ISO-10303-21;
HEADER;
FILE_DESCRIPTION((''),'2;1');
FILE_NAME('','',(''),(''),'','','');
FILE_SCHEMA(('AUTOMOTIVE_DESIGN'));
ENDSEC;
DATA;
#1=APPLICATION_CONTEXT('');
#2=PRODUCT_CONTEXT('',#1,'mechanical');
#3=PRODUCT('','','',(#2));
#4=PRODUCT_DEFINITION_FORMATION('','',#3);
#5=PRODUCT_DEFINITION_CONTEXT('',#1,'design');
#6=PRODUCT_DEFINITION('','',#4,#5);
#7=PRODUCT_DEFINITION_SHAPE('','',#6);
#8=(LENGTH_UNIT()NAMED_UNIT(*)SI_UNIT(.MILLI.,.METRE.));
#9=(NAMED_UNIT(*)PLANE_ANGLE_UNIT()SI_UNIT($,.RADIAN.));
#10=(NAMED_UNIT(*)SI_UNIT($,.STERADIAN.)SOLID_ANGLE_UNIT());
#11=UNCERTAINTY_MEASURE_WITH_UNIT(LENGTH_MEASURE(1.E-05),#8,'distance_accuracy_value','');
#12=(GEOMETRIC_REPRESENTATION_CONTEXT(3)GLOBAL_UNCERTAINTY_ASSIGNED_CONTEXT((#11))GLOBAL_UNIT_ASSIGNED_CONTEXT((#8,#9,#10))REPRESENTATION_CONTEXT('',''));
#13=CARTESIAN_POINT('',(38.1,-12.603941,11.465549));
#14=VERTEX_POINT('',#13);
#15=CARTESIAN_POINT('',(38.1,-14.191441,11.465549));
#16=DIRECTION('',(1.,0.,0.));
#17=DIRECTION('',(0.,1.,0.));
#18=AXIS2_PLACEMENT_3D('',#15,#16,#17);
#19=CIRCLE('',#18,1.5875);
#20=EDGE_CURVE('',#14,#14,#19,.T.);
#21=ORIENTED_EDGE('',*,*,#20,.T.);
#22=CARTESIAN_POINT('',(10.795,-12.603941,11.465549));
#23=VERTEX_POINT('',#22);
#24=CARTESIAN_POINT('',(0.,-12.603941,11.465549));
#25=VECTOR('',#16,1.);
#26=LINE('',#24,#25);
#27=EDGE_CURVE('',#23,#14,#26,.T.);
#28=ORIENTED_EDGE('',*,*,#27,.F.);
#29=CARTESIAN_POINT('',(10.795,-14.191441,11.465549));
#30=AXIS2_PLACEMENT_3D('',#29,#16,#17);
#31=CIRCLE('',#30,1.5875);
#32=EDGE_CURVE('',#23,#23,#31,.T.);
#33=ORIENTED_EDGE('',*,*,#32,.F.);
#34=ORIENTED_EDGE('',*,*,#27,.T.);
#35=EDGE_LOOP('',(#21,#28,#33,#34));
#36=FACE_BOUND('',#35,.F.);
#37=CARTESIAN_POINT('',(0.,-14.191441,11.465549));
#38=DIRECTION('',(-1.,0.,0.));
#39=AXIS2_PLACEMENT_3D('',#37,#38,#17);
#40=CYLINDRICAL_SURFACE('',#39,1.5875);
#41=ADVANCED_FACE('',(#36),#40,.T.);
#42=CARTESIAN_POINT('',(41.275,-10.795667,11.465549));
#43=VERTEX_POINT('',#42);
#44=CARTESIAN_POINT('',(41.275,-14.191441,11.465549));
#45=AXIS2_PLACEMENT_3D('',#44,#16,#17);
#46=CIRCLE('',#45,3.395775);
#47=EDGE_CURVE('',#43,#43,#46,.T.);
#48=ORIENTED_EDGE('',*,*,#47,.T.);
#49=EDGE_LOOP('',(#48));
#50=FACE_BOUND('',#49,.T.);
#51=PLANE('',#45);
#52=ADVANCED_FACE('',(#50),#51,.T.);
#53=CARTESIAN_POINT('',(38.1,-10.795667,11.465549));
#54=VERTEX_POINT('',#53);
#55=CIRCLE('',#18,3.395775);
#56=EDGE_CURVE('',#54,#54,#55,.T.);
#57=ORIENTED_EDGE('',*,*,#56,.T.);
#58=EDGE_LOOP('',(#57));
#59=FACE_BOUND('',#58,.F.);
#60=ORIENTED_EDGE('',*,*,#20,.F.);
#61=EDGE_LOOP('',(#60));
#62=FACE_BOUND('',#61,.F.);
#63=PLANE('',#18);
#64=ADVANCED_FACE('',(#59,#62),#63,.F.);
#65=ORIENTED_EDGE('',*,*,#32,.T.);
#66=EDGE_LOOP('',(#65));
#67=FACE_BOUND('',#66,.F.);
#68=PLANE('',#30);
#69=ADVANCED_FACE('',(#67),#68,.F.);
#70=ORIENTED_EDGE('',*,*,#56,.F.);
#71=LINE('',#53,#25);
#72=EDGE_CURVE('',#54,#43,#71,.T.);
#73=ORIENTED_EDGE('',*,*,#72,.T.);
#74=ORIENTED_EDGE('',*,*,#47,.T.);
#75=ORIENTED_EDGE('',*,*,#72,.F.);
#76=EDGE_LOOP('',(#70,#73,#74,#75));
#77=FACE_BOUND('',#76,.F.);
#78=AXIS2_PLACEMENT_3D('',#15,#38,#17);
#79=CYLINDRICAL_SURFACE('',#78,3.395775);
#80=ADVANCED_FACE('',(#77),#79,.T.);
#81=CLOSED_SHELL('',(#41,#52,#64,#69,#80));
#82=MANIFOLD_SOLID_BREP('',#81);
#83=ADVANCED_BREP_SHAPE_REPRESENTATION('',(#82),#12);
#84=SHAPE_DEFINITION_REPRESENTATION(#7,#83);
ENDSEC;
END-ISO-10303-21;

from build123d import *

# Parameters (mm, degrees)
F0_R     = 1.5875
F1_DEPTH = 38.1
F2_R     = 3.3957745988
F3_DEPTH = 3.175
F4_DEPTH = 10.795


with BuildPart() as f1:
    # F0 (on Right) → F1 (new body)
    with BuildSketch(Plane.YZ):
        with Locations((-14.1914412379, 11.465549469)):
            Circle(F0_R)
    extrude(amount=F1_DEPTH)

    # F2 (on face) → F3 (join)
    with BuildSketch(Plane.YZ.offset(38.1)):
        with Locations((-14.1914412379, 11.465549469)):
            Circle(F2_R)
    extrude(amount=F3_DEPTH)

    # F4 (cut): a face of the model
    f4_faces = [f1.faces().sort_by_distance(p)[0] for p in [
        (0, -14.1914412379, 11.465549469),
    ]]
    extrude(f4_faces, amount=-F4_DEPTH, mode=Mode.SUBTRACT)


solid = f1.part
